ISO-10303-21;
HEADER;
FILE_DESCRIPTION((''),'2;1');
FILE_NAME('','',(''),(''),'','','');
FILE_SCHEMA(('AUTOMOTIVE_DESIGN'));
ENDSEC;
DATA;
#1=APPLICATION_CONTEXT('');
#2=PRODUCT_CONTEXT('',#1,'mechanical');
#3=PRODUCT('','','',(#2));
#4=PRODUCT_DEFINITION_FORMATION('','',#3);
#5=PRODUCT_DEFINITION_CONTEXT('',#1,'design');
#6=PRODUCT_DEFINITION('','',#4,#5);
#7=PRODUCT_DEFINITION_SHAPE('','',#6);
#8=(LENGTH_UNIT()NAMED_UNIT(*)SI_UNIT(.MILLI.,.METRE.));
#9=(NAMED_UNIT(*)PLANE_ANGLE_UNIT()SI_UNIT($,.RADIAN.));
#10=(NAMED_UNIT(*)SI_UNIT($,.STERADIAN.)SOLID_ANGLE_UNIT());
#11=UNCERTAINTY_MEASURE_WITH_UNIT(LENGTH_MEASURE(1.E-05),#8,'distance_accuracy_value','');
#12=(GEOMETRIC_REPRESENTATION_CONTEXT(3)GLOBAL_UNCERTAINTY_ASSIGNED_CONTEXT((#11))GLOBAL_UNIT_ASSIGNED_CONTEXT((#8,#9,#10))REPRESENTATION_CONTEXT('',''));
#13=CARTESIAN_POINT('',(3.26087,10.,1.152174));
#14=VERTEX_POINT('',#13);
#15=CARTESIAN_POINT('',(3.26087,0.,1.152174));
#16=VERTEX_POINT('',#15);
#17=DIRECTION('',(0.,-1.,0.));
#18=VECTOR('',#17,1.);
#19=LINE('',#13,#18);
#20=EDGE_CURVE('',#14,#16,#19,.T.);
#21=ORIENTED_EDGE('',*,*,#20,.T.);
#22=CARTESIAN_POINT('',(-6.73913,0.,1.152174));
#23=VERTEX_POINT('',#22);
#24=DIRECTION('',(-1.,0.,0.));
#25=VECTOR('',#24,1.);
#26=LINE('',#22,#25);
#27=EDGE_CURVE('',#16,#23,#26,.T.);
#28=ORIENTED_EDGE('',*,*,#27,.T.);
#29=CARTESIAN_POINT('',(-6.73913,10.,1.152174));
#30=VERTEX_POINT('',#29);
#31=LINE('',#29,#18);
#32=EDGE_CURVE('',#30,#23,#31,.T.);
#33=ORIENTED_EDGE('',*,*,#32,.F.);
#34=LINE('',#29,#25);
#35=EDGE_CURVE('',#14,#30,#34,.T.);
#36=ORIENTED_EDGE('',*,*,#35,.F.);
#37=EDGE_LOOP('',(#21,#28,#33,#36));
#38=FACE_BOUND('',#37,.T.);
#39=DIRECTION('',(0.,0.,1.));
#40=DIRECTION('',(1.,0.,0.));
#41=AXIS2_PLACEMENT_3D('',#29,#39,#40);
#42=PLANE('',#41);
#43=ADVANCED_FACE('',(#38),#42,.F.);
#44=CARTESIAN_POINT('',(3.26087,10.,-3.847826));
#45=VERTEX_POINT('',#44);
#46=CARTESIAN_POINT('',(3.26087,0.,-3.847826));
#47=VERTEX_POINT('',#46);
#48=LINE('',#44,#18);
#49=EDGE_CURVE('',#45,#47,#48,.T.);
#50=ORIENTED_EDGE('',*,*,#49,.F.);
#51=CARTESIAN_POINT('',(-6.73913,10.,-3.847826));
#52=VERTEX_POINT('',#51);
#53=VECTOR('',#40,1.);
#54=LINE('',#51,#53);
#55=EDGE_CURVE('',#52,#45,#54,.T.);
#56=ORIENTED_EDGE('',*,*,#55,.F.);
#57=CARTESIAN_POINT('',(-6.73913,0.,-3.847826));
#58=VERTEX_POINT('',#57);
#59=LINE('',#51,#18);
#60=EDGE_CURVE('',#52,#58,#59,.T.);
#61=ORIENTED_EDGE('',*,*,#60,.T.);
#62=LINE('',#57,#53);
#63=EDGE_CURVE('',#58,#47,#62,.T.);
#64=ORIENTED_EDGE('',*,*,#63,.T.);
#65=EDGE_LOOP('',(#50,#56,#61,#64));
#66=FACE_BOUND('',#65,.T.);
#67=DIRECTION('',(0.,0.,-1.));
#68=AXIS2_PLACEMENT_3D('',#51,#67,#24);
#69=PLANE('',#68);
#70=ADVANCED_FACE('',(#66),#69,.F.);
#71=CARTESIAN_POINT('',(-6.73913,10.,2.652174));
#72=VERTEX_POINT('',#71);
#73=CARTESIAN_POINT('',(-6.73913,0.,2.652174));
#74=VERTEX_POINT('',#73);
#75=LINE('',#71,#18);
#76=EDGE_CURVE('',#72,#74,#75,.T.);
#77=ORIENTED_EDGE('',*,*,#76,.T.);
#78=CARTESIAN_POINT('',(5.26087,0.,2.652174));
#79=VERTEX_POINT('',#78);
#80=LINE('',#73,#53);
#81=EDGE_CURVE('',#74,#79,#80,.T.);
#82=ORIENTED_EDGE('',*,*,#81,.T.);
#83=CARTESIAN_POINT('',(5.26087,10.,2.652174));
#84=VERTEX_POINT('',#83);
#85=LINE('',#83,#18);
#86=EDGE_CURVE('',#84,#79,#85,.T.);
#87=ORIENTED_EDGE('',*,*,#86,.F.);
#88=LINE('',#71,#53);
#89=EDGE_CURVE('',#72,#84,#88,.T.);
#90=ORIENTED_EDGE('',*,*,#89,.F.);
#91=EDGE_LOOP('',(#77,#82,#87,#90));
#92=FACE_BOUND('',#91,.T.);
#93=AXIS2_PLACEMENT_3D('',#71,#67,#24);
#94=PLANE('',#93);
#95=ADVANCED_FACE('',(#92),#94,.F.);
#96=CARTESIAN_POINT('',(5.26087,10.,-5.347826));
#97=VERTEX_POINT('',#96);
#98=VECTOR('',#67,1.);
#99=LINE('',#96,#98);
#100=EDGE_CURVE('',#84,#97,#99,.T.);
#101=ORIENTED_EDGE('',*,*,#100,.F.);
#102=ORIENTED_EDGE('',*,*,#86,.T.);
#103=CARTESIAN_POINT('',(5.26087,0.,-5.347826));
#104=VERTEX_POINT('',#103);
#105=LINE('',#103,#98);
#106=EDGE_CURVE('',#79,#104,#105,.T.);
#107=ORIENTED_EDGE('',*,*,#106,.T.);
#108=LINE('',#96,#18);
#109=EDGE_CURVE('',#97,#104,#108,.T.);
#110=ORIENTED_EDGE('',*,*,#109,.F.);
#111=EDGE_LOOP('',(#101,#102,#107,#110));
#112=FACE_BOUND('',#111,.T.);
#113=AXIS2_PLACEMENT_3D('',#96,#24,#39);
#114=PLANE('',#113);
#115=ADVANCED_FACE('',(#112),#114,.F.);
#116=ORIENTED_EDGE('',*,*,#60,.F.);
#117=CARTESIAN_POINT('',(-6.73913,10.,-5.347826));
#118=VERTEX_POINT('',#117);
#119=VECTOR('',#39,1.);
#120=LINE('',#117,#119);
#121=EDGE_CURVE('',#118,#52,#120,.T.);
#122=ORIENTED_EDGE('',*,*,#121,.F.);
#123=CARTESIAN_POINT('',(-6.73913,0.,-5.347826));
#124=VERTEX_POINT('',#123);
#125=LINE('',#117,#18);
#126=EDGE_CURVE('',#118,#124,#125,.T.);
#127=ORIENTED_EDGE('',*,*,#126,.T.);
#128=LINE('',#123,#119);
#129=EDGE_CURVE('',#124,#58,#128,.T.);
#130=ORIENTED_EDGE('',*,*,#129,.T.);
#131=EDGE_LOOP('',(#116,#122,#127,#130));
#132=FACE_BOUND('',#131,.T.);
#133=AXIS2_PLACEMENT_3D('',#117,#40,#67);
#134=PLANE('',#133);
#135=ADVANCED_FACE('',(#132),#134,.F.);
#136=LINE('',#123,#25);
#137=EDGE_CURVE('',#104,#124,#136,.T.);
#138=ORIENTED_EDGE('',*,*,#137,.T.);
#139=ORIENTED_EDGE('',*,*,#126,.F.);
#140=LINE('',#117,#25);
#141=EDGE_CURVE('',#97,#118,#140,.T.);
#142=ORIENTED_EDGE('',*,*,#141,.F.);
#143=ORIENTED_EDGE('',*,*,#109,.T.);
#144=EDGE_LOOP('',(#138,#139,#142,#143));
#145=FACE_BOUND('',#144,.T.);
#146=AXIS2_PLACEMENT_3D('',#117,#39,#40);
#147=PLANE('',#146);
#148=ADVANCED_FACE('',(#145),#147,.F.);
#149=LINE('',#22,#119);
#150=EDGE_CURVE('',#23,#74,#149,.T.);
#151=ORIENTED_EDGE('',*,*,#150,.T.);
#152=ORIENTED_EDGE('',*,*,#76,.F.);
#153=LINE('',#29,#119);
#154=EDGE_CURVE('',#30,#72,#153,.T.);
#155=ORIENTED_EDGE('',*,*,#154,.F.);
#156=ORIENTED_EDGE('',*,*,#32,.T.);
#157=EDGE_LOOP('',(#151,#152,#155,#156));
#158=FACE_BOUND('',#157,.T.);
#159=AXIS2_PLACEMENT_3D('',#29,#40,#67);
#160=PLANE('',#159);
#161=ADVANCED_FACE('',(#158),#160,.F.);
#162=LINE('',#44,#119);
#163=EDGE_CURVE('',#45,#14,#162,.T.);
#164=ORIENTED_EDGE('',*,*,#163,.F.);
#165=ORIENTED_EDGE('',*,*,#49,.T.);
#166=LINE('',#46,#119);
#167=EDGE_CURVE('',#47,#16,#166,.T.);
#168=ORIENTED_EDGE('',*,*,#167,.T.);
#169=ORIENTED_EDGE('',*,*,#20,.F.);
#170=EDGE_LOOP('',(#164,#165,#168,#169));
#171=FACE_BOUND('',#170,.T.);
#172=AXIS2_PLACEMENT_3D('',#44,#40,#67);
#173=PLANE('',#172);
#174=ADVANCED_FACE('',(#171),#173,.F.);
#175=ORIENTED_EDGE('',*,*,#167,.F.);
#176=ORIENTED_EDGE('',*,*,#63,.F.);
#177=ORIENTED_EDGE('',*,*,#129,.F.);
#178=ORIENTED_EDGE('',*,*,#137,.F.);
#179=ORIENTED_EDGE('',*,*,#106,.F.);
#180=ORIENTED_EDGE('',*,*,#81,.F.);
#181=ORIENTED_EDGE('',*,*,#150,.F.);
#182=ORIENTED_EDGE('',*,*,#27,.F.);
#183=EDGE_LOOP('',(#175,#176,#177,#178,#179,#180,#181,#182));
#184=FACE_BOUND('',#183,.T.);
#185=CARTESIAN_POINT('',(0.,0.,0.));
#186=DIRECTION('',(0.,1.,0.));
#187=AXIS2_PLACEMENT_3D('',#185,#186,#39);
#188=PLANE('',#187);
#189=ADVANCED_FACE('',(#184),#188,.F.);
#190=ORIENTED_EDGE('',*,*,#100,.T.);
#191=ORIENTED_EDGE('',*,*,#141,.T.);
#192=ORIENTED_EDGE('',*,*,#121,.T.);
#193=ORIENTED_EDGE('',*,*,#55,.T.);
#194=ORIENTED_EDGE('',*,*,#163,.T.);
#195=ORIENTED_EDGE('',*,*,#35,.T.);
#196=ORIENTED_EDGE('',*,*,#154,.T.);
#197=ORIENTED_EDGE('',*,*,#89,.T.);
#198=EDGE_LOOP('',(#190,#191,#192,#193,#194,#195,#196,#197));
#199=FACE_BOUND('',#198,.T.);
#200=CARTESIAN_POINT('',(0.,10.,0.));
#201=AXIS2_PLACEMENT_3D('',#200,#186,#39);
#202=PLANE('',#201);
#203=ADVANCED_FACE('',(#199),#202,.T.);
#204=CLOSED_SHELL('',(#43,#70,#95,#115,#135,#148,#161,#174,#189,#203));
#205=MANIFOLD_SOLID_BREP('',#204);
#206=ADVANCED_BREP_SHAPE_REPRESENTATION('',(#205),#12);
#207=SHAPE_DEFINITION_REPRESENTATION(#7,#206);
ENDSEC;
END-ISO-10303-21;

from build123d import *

# Parameters (mm, degrees)
BOSS_EXTRUDE1_DEPTH = 10


with BuildPart() as part:
    # Sketch1 → Boss-Extrude1 (new body)
    with BuildSketch(Plane(origin=(0, 0, 0), x_dir=(1, 0, 0), z_dir=(0, 1, 0))):
        Polygon((-6.739130435, -1.152173913), (-6.739130435, -2.652173913), (5.260869565, -2.652173913), (5.260869565, 5.347826087), (-6.739130435, 5.347826087), (-6.739130435, 3.847826087), (3.260869565, 3.847826087), (3.260869565, -1.152173913), align=None)
    extrude(amount=BOSS_EXTRUDE1_DEPTH)


solid = part.part
